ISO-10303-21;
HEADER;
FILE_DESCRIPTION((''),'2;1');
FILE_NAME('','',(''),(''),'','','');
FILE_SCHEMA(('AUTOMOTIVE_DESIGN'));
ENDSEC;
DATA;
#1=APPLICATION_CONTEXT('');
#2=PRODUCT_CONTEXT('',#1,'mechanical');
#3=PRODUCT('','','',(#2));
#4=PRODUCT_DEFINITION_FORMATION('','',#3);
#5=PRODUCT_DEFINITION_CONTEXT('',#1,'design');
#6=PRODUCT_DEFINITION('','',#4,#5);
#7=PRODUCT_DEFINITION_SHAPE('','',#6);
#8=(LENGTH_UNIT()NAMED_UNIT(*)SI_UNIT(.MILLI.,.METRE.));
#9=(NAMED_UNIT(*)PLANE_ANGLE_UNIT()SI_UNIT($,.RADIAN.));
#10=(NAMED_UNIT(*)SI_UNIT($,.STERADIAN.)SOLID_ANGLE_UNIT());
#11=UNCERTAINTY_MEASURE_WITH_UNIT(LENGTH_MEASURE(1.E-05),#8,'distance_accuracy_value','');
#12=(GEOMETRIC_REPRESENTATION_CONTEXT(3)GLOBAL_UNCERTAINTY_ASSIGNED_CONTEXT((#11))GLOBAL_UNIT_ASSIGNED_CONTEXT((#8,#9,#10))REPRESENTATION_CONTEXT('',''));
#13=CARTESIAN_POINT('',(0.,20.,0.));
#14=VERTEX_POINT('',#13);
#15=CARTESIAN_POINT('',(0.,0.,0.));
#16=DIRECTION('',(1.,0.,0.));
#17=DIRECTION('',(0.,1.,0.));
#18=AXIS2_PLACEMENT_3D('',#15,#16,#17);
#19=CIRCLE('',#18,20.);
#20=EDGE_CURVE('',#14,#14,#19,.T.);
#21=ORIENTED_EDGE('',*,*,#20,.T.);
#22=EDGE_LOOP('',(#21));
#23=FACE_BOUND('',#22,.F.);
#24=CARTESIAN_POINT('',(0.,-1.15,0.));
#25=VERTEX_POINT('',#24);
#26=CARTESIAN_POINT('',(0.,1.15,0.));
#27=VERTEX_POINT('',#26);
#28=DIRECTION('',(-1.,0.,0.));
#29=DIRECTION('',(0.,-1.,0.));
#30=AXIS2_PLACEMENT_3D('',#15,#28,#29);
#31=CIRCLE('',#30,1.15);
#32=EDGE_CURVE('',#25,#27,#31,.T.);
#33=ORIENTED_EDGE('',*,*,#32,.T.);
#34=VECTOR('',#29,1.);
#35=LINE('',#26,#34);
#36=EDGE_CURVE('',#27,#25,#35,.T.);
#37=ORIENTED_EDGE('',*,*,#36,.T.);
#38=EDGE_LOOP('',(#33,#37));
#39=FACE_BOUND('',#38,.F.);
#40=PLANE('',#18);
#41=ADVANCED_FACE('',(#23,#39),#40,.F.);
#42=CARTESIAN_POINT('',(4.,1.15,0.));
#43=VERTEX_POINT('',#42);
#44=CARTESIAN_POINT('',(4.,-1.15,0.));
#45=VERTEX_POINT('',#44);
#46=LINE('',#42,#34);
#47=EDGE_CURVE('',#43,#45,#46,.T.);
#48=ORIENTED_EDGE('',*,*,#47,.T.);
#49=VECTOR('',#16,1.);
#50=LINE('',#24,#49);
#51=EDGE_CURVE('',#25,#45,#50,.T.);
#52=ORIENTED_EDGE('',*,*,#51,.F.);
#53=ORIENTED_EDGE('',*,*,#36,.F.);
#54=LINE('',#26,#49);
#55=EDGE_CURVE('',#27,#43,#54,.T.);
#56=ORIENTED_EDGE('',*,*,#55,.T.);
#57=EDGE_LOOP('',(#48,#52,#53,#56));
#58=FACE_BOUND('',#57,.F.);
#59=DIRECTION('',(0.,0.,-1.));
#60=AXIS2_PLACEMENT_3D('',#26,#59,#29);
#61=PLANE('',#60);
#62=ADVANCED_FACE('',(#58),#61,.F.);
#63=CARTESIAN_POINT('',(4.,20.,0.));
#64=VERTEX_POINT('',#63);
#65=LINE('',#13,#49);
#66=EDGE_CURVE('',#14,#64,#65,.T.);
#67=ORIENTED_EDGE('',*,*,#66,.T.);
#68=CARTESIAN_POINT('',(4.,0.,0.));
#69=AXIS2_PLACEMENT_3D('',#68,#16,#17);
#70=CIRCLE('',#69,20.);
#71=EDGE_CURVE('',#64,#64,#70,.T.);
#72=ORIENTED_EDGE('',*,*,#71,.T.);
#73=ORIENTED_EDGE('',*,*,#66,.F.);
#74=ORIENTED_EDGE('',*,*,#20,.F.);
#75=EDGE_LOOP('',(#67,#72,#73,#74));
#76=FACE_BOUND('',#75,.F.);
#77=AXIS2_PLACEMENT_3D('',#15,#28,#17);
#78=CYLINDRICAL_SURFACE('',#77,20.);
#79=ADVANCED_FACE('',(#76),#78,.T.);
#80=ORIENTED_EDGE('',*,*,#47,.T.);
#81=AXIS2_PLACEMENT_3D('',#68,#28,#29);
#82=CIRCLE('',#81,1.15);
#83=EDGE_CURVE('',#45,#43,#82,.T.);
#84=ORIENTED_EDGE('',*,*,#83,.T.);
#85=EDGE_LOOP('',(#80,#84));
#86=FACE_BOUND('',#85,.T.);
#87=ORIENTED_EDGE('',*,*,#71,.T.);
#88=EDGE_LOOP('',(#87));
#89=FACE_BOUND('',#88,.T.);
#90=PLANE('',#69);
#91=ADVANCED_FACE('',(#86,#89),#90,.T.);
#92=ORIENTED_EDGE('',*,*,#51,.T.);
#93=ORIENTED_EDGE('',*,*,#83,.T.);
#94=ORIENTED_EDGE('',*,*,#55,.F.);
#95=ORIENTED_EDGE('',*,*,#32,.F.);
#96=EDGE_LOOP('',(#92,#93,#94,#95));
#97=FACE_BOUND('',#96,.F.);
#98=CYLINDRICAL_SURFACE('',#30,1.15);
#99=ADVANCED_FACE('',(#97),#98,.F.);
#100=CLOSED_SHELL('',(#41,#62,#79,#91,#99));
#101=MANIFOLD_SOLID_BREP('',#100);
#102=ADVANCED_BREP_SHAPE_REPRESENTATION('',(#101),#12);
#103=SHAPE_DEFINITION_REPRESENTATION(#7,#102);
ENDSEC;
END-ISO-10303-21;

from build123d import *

# Parameters (mm, degrees)
F0_R     = 20
F1_DEPTH = 4


with BuildPart() as f1:
    # F0 (on Right) → F1 (new body)
    with BuildSketch(Plane.YZ):
        Circle(F0_R)
        with BuildLine():
            ThreePointArc((-1.15, 0), (0, 1.15), (1.15, 0))
            Line((1.15, 0), (-1.15, 0))
        make_face(mode=Mode.SUBTRACT)
    extrude(amount=F1_DEPTH)


solid = f1.part
